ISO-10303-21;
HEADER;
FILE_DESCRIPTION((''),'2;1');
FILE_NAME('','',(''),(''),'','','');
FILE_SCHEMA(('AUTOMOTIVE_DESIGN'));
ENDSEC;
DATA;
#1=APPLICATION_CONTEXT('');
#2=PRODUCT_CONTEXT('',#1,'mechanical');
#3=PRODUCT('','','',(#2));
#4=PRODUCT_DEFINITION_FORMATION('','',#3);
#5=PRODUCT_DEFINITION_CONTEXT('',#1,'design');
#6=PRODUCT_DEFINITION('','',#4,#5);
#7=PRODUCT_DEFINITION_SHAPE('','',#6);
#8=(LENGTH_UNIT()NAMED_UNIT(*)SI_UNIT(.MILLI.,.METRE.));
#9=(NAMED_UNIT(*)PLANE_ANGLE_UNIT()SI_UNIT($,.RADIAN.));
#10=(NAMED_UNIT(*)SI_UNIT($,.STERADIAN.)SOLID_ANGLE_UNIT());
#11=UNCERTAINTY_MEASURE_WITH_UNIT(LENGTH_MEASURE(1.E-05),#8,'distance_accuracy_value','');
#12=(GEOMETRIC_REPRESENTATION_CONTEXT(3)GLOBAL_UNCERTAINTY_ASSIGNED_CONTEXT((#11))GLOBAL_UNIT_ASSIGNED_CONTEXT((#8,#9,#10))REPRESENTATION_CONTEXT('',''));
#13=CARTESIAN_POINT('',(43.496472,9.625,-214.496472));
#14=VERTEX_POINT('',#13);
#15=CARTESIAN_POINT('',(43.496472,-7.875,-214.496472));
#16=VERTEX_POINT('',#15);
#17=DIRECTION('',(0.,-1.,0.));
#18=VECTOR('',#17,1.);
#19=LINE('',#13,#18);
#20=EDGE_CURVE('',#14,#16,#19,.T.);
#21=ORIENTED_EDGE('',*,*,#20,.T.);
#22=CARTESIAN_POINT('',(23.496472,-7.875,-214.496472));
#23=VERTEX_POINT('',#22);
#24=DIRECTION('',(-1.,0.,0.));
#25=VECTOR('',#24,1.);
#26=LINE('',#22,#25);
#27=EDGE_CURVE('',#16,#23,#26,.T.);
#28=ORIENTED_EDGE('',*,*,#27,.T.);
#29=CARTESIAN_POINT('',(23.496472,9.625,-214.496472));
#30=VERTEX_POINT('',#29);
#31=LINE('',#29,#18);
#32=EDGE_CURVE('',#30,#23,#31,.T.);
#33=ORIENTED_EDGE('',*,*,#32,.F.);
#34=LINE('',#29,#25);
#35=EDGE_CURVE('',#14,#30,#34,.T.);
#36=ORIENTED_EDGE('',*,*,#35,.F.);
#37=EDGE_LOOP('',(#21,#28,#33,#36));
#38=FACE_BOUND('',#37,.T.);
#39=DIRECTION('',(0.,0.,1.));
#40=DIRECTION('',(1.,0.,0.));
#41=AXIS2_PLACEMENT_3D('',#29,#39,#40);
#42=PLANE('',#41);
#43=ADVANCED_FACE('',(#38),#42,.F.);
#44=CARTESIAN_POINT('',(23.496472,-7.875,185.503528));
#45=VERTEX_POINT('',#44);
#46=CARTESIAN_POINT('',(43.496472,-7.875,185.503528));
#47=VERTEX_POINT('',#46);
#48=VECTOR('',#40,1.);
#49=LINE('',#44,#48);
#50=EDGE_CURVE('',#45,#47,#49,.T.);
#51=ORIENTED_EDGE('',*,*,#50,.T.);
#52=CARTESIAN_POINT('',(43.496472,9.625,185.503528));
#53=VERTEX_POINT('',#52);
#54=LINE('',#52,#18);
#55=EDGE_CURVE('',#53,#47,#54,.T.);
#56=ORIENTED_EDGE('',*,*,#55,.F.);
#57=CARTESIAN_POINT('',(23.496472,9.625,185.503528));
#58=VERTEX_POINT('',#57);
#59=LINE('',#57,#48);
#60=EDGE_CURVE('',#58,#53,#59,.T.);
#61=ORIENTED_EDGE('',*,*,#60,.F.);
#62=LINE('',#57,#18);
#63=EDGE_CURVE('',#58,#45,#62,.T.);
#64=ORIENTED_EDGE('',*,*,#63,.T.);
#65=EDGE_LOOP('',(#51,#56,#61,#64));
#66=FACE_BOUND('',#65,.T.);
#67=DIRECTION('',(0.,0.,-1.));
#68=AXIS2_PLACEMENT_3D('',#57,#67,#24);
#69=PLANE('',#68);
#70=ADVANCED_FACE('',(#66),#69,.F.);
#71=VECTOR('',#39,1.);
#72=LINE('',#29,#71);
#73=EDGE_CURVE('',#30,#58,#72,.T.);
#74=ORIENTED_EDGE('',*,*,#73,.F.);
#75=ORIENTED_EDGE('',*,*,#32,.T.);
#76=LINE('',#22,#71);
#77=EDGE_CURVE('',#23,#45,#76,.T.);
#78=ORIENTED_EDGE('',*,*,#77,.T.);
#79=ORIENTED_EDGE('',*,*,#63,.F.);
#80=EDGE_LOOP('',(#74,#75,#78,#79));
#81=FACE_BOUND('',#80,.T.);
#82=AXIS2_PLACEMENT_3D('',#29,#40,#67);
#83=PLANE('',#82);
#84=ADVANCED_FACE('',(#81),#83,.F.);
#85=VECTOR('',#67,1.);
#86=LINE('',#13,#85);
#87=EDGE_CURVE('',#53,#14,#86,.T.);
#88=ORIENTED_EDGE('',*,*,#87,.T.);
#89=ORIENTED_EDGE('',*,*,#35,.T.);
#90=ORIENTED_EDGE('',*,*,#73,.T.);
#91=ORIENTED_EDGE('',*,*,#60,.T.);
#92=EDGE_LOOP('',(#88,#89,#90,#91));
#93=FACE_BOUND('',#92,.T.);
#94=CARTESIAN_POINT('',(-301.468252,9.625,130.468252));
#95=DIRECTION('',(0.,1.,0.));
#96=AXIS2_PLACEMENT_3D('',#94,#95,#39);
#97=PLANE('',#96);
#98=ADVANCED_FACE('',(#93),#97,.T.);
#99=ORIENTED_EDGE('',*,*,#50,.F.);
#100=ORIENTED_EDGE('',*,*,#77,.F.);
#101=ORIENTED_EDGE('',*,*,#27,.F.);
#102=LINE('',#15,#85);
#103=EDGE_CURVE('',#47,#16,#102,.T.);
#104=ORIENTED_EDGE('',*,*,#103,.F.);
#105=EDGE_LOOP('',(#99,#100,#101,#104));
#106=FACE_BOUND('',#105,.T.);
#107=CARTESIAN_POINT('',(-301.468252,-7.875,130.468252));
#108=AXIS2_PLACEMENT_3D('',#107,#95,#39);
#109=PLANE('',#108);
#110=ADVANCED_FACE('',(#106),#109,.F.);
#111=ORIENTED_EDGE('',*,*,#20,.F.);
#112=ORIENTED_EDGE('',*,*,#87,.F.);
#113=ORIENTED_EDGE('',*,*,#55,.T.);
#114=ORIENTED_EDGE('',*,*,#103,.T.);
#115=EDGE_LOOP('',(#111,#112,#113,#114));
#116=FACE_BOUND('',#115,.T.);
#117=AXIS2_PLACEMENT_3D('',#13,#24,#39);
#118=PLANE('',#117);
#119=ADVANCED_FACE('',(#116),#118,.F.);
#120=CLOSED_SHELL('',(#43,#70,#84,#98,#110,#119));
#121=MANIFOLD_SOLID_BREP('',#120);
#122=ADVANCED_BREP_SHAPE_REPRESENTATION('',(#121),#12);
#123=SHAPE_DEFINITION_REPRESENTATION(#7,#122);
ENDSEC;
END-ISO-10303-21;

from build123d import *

# Parameters (mm, degrees)
SKETCH1_W           = 2
SKETCH1_H           = 40
BOSS_EXTRUDE1_DEPTH = 1.75
SCALE1_SCALE        = 10


with BuildPart() as part:
    # Sketch1 → Boss-Extrude1 (new body)
    with BuildSketch(Plane(origin=(0, 0, 0), x_dir=(1, 0, 0), z_dir=(0, 1, 0))):
        with Locations((33.496472393, 14.496472393)):
            Rectangle(SKETCH1_W, SKETCH1_H)
    extrude(amount=BOSS_EXTRUDE1_DEPTH)


with BuildPart() as part_1:
    # Scale1: scaled about (33.496472393, 0.875, -14.496472393)
    add(part.part.scale(SCALE1_SCALE).moved(Location((-301.468251537, -7.875, 130.468251537))))


solid = part_1.part
